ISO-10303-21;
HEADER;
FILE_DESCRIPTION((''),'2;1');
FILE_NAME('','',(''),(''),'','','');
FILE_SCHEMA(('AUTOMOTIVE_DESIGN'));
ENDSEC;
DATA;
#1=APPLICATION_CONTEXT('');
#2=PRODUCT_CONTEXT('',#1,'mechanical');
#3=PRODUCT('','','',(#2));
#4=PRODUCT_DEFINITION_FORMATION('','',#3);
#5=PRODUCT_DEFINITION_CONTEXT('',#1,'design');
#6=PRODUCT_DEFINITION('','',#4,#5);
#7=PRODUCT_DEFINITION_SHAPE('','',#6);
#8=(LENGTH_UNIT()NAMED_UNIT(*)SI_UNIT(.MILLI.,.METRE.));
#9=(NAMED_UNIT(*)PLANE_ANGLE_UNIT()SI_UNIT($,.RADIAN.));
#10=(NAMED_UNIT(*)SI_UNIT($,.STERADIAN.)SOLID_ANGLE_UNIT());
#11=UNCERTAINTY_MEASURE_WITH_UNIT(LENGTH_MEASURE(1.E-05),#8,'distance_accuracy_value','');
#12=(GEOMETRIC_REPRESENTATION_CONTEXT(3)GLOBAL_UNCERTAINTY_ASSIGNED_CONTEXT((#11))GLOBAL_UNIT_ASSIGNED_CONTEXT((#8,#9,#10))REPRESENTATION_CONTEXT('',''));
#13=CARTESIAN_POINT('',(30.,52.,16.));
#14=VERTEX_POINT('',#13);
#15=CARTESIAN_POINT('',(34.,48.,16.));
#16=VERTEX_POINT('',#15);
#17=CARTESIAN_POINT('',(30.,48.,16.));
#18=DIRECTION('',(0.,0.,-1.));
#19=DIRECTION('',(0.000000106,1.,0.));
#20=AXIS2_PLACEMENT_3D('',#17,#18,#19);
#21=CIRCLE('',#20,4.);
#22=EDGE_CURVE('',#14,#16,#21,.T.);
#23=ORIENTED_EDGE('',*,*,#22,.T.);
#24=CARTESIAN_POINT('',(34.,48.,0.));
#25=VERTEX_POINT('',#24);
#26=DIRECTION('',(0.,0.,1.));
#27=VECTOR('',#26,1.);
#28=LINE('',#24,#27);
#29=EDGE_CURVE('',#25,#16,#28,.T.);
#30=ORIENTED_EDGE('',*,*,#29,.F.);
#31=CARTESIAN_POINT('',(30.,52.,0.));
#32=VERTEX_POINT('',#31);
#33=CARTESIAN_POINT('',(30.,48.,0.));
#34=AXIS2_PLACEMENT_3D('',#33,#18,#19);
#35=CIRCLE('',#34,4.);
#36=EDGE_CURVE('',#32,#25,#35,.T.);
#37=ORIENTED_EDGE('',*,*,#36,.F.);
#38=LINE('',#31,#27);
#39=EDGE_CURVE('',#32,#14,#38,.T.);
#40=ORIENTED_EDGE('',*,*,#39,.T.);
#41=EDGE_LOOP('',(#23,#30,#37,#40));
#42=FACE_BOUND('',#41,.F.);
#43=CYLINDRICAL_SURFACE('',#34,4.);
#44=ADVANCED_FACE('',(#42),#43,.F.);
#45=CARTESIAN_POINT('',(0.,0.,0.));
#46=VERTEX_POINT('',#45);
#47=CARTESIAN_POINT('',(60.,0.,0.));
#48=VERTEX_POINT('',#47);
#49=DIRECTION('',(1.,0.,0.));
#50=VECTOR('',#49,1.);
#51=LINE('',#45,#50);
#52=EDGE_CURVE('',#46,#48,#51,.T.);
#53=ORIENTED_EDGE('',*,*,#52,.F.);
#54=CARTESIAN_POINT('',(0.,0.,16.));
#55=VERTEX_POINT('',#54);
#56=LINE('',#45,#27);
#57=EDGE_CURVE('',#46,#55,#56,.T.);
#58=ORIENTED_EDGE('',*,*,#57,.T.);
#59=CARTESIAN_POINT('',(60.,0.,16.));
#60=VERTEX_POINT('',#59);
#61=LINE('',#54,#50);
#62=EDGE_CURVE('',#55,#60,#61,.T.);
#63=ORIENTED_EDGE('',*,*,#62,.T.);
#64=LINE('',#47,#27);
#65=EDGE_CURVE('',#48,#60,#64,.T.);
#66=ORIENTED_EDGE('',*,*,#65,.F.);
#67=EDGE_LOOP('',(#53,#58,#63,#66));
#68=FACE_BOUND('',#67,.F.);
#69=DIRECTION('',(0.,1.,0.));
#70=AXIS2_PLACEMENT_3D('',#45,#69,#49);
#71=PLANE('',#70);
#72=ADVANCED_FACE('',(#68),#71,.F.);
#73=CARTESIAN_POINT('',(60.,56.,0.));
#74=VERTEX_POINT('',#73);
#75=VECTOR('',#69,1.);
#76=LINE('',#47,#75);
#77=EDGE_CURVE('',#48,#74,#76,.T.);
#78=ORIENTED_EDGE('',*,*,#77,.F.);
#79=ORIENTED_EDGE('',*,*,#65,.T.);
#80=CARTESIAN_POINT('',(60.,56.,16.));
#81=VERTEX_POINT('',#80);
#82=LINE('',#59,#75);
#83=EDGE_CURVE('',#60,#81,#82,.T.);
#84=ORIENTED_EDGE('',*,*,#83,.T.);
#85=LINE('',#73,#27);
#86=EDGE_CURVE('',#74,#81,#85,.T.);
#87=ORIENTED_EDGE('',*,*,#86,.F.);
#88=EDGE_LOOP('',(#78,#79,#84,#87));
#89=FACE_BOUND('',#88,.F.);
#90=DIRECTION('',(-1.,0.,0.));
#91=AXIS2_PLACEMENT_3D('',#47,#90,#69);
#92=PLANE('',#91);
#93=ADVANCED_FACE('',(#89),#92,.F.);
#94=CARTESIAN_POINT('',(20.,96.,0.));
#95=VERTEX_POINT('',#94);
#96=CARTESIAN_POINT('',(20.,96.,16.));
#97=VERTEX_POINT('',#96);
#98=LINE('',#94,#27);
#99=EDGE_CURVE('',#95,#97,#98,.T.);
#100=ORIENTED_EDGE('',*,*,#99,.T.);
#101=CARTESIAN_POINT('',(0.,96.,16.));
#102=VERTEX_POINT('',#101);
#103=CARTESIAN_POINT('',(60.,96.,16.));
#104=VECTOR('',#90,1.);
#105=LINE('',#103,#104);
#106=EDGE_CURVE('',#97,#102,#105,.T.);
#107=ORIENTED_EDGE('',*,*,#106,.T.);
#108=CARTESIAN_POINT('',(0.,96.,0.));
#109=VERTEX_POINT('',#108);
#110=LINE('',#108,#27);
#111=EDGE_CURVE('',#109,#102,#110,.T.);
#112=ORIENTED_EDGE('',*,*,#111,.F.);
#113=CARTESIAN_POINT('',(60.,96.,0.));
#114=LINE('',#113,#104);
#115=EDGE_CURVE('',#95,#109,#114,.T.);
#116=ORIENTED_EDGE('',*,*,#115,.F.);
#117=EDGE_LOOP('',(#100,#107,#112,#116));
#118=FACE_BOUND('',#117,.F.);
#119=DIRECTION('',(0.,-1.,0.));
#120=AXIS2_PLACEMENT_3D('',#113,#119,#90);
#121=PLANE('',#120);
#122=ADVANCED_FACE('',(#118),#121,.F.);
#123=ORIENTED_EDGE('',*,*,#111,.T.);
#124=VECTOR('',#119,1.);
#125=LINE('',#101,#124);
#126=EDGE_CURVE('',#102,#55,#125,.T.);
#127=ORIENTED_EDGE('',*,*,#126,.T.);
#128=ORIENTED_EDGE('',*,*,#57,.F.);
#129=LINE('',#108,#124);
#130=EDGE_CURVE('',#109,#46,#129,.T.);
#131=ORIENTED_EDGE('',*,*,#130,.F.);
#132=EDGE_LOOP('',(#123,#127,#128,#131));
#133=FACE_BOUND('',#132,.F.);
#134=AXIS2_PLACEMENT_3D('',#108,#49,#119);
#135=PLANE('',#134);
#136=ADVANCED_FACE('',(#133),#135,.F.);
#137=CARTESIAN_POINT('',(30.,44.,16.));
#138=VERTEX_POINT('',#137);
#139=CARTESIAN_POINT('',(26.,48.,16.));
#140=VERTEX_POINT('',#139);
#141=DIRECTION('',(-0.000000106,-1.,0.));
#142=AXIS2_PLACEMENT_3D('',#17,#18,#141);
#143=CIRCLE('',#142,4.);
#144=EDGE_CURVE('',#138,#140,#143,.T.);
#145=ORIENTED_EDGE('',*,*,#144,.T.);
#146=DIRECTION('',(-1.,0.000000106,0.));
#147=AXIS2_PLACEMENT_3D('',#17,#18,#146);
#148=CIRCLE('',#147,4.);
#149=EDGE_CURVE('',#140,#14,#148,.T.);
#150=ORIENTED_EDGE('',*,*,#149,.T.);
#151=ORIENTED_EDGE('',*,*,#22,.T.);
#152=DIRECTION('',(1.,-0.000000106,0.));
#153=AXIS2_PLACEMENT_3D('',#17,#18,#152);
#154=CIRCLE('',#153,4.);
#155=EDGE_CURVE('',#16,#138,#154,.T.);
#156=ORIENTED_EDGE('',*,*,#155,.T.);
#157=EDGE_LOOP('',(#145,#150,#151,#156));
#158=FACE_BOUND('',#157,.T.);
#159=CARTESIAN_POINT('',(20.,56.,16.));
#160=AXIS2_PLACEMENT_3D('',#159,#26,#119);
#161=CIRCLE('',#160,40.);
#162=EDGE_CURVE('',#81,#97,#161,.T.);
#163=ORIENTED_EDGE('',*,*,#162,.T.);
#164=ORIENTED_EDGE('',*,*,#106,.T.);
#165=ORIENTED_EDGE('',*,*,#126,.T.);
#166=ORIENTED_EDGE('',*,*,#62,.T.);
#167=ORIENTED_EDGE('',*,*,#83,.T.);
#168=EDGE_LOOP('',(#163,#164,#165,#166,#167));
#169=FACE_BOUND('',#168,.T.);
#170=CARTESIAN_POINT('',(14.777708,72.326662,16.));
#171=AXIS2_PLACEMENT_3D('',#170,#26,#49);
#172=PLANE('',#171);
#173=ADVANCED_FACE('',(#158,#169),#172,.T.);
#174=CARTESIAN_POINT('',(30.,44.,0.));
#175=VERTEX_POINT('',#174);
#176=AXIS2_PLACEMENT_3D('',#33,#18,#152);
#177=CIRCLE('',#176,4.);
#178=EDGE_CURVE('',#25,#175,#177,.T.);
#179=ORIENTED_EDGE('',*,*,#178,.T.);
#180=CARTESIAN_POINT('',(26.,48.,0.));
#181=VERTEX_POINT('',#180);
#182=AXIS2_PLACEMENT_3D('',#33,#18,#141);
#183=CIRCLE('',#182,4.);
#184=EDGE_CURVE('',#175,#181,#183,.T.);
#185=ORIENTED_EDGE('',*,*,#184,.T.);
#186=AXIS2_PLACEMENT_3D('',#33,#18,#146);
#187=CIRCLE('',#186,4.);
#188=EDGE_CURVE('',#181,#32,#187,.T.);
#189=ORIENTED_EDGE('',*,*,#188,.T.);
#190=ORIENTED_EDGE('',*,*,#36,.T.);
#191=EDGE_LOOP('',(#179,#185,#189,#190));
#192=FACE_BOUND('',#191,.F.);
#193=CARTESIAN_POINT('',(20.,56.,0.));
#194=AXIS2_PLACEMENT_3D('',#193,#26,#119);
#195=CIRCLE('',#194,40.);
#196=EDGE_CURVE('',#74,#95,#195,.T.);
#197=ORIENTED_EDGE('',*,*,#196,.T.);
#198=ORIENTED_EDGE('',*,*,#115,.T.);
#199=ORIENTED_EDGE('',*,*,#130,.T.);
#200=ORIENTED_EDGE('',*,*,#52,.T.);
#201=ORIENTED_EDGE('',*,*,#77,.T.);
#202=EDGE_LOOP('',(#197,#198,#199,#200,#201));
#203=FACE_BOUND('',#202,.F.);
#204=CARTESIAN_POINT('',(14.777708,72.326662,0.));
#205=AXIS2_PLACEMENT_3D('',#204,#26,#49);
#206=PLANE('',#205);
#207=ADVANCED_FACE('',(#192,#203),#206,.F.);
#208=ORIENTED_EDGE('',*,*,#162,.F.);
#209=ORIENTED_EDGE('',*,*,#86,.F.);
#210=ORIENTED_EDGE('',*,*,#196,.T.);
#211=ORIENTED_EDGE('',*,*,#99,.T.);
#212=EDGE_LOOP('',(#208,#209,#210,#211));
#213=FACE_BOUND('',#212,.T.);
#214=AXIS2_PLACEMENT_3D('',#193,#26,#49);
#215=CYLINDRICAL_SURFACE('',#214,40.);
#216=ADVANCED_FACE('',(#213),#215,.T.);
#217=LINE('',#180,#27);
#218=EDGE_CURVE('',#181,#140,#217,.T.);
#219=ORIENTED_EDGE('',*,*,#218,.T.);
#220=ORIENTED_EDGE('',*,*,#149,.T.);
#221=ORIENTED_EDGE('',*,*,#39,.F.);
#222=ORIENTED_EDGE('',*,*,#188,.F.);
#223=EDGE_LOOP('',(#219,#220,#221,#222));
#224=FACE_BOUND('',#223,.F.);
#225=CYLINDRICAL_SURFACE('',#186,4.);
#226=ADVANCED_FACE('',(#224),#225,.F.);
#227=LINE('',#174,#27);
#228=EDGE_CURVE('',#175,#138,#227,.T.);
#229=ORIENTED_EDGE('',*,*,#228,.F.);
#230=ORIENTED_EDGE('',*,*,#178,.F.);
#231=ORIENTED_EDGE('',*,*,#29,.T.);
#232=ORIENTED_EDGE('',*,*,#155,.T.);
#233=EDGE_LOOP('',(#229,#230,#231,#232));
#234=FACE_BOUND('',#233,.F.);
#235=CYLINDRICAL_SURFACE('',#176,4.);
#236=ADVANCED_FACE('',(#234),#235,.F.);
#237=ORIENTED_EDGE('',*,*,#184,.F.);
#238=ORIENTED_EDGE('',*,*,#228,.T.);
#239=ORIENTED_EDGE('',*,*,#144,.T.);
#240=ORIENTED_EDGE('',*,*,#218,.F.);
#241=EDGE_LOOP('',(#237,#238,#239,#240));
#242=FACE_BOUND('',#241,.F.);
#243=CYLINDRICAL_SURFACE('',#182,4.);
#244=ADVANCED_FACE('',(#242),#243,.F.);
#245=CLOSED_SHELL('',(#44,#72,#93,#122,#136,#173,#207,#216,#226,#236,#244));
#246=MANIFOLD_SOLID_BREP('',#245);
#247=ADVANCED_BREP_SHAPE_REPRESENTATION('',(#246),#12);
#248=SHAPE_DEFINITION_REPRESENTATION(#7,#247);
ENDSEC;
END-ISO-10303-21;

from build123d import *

# Parameters (mm, degrees)
F1_DEPTH = 16
F2_R     = 40


with BuildPart() as f1:
    # F0 (on Top) → F1 (new body)
    with BuildSketch(Plane.XY):
        with BuildLine():
            Line((0, 96), (0, 48))
            Line((0, 48), (26, 48))
            ThreePointArc((26, 48), (27.171573, 50.828427), (30, 52))
            Line((30, 52), (30, 96))
            Line((30, 96), (0, 96))
        make_face()
        with BuildLine():
            Line((34, 48), (60, 48))
            Line((60, 48), (60, 96))
            Line((60, 96), (30, 96))
            Line((30, 96), (30, 52))
            ThreePointArc((30, 52), (32.828427, 50.828427), (34, 48))
        make_face()
        with BuildLine():
            Line((30, 44), (30, 0))
            Line((30, 0), (60, 0))
            Line((60, 0), (60, 48))
            Line((60, 48), (34, 48))
            ThreePointArc((34, 48), (32.828427, 45.171573), (30, 44))
        make_face()
        with BuildLine():
            Line((0, 48), (0, 0))
            Line((0, 0), (30, 0))
            Line((30, 0), (30, 44))
            ThreePointArc((30, 44), (27.171573, 45.171573), (26, 48))
            Line((26, 48), (0, 48))
        make_face()
    extrude(amount=F1_DEPTH)

    # F2
    f2_edges = [f1.edges().sort_by_distance(p)[0] for p in [
        (60, 96, 8),
    ]]
    fillet(f2_edges, radius=F2_R)


solid = f1.part
